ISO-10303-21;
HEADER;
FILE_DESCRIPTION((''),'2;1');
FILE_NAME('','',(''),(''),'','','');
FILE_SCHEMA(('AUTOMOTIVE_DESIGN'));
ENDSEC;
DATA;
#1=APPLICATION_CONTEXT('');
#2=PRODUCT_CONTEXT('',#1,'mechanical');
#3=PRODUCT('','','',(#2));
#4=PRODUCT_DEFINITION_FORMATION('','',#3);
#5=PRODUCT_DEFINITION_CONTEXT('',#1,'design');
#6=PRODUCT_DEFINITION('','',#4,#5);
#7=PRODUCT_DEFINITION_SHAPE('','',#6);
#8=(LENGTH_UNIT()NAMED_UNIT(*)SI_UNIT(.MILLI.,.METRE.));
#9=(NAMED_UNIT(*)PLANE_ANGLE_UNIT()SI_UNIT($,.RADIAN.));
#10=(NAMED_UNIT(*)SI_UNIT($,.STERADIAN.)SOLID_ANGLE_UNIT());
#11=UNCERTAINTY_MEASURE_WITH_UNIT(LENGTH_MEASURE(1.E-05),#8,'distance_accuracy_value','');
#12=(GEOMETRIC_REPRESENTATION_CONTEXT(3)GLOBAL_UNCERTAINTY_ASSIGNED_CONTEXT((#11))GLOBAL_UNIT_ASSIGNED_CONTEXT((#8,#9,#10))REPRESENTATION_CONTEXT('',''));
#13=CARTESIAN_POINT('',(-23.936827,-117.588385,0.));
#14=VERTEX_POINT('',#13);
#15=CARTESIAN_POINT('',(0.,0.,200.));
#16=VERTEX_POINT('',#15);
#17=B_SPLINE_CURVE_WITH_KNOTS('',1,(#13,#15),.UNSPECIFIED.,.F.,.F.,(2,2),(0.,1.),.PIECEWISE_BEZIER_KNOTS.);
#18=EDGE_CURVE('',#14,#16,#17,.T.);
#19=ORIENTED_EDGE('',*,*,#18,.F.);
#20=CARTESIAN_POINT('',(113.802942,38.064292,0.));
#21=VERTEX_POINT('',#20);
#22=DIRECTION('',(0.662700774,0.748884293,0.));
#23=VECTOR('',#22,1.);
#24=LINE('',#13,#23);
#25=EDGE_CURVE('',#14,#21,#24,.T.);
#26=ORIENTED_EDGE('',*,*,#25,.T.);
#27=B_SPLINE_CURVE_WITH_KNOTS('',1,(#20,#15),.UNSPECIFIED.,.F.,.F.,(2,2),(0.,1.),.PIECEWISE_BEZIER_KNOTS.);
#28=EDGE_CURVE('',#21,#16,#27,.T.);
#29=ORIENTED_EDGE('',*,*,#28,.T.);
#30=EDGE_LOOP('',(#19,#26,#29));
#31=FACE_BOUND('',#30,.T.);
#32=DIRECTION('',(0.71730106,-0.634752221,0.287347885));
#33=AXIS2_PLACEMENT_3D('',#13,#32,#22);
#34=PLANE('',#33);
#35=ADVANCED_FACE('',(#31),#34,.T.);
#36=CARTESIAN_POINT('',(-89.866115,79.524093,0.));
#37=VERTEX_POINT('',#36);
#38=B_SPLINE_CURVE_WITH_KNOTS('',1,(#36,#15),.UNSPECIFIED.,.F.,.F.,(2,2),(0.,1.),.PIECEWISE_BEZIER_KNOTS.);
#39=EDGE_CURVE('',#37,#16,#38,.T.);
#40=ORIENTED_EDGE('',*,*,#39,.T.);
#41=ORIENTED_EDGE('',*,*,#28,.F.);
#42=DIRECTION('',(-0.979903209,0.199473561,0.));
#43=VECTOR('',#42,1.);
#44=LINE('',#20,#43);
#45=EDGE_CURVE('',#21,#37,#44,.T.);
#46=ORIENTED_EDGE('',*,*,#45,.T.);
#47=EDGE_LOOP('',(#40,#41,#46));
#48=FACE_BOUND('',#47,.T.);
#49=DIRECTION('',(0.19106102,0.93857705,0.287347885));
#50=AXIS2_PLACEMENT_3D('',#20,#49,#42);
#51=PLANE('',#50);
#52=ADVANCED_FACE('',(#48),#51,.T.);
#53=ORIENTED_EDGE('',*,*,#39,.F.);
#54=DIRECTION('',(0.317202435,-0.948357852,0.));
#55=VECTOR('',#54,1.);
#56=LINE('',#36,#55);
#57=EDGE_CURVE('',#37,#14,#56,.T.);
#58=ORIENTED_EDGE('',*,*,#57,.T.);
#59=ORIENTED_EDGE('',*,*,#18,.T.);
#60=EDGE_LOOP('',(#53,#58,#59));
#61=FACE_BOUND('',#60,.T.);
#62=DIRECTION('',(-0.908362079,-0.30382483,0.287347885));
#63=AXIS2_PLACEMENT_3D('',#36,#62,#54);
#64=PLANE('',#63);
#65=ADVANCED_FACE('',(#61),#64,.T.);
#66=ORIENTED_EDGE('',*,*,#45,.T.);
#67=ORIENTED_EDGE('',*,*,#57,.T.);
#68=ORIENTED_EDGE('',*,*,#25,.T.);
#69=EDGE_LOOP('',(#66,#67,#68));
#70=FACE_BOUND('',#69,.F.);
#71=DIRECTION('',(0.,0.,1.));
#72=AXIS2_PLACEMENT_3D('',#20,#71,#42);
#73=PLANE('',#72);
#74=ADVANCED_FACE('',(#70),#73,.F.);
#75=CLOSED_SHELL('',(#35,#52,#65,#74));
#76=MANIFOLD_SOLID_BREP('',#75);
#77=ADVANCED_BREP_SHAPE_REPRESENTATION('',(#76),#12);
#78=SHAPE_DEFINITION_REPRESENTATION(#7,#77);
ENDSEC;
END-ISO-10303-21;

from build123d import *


with BuildPart() as f3:
    # F0 (on Top) → F3 section 0
    with BuildSketch(Plane.XY, mode=Mode.PRIVATE) as f3_s0:
        Polygon((113.802942, 38.064292), (-89.866115, 79.524093), (-23.936827, -117.588385), align=None)
    loft([f3_s0.sketch, Vertex(0, 0, 200)])


solid = f3.part
